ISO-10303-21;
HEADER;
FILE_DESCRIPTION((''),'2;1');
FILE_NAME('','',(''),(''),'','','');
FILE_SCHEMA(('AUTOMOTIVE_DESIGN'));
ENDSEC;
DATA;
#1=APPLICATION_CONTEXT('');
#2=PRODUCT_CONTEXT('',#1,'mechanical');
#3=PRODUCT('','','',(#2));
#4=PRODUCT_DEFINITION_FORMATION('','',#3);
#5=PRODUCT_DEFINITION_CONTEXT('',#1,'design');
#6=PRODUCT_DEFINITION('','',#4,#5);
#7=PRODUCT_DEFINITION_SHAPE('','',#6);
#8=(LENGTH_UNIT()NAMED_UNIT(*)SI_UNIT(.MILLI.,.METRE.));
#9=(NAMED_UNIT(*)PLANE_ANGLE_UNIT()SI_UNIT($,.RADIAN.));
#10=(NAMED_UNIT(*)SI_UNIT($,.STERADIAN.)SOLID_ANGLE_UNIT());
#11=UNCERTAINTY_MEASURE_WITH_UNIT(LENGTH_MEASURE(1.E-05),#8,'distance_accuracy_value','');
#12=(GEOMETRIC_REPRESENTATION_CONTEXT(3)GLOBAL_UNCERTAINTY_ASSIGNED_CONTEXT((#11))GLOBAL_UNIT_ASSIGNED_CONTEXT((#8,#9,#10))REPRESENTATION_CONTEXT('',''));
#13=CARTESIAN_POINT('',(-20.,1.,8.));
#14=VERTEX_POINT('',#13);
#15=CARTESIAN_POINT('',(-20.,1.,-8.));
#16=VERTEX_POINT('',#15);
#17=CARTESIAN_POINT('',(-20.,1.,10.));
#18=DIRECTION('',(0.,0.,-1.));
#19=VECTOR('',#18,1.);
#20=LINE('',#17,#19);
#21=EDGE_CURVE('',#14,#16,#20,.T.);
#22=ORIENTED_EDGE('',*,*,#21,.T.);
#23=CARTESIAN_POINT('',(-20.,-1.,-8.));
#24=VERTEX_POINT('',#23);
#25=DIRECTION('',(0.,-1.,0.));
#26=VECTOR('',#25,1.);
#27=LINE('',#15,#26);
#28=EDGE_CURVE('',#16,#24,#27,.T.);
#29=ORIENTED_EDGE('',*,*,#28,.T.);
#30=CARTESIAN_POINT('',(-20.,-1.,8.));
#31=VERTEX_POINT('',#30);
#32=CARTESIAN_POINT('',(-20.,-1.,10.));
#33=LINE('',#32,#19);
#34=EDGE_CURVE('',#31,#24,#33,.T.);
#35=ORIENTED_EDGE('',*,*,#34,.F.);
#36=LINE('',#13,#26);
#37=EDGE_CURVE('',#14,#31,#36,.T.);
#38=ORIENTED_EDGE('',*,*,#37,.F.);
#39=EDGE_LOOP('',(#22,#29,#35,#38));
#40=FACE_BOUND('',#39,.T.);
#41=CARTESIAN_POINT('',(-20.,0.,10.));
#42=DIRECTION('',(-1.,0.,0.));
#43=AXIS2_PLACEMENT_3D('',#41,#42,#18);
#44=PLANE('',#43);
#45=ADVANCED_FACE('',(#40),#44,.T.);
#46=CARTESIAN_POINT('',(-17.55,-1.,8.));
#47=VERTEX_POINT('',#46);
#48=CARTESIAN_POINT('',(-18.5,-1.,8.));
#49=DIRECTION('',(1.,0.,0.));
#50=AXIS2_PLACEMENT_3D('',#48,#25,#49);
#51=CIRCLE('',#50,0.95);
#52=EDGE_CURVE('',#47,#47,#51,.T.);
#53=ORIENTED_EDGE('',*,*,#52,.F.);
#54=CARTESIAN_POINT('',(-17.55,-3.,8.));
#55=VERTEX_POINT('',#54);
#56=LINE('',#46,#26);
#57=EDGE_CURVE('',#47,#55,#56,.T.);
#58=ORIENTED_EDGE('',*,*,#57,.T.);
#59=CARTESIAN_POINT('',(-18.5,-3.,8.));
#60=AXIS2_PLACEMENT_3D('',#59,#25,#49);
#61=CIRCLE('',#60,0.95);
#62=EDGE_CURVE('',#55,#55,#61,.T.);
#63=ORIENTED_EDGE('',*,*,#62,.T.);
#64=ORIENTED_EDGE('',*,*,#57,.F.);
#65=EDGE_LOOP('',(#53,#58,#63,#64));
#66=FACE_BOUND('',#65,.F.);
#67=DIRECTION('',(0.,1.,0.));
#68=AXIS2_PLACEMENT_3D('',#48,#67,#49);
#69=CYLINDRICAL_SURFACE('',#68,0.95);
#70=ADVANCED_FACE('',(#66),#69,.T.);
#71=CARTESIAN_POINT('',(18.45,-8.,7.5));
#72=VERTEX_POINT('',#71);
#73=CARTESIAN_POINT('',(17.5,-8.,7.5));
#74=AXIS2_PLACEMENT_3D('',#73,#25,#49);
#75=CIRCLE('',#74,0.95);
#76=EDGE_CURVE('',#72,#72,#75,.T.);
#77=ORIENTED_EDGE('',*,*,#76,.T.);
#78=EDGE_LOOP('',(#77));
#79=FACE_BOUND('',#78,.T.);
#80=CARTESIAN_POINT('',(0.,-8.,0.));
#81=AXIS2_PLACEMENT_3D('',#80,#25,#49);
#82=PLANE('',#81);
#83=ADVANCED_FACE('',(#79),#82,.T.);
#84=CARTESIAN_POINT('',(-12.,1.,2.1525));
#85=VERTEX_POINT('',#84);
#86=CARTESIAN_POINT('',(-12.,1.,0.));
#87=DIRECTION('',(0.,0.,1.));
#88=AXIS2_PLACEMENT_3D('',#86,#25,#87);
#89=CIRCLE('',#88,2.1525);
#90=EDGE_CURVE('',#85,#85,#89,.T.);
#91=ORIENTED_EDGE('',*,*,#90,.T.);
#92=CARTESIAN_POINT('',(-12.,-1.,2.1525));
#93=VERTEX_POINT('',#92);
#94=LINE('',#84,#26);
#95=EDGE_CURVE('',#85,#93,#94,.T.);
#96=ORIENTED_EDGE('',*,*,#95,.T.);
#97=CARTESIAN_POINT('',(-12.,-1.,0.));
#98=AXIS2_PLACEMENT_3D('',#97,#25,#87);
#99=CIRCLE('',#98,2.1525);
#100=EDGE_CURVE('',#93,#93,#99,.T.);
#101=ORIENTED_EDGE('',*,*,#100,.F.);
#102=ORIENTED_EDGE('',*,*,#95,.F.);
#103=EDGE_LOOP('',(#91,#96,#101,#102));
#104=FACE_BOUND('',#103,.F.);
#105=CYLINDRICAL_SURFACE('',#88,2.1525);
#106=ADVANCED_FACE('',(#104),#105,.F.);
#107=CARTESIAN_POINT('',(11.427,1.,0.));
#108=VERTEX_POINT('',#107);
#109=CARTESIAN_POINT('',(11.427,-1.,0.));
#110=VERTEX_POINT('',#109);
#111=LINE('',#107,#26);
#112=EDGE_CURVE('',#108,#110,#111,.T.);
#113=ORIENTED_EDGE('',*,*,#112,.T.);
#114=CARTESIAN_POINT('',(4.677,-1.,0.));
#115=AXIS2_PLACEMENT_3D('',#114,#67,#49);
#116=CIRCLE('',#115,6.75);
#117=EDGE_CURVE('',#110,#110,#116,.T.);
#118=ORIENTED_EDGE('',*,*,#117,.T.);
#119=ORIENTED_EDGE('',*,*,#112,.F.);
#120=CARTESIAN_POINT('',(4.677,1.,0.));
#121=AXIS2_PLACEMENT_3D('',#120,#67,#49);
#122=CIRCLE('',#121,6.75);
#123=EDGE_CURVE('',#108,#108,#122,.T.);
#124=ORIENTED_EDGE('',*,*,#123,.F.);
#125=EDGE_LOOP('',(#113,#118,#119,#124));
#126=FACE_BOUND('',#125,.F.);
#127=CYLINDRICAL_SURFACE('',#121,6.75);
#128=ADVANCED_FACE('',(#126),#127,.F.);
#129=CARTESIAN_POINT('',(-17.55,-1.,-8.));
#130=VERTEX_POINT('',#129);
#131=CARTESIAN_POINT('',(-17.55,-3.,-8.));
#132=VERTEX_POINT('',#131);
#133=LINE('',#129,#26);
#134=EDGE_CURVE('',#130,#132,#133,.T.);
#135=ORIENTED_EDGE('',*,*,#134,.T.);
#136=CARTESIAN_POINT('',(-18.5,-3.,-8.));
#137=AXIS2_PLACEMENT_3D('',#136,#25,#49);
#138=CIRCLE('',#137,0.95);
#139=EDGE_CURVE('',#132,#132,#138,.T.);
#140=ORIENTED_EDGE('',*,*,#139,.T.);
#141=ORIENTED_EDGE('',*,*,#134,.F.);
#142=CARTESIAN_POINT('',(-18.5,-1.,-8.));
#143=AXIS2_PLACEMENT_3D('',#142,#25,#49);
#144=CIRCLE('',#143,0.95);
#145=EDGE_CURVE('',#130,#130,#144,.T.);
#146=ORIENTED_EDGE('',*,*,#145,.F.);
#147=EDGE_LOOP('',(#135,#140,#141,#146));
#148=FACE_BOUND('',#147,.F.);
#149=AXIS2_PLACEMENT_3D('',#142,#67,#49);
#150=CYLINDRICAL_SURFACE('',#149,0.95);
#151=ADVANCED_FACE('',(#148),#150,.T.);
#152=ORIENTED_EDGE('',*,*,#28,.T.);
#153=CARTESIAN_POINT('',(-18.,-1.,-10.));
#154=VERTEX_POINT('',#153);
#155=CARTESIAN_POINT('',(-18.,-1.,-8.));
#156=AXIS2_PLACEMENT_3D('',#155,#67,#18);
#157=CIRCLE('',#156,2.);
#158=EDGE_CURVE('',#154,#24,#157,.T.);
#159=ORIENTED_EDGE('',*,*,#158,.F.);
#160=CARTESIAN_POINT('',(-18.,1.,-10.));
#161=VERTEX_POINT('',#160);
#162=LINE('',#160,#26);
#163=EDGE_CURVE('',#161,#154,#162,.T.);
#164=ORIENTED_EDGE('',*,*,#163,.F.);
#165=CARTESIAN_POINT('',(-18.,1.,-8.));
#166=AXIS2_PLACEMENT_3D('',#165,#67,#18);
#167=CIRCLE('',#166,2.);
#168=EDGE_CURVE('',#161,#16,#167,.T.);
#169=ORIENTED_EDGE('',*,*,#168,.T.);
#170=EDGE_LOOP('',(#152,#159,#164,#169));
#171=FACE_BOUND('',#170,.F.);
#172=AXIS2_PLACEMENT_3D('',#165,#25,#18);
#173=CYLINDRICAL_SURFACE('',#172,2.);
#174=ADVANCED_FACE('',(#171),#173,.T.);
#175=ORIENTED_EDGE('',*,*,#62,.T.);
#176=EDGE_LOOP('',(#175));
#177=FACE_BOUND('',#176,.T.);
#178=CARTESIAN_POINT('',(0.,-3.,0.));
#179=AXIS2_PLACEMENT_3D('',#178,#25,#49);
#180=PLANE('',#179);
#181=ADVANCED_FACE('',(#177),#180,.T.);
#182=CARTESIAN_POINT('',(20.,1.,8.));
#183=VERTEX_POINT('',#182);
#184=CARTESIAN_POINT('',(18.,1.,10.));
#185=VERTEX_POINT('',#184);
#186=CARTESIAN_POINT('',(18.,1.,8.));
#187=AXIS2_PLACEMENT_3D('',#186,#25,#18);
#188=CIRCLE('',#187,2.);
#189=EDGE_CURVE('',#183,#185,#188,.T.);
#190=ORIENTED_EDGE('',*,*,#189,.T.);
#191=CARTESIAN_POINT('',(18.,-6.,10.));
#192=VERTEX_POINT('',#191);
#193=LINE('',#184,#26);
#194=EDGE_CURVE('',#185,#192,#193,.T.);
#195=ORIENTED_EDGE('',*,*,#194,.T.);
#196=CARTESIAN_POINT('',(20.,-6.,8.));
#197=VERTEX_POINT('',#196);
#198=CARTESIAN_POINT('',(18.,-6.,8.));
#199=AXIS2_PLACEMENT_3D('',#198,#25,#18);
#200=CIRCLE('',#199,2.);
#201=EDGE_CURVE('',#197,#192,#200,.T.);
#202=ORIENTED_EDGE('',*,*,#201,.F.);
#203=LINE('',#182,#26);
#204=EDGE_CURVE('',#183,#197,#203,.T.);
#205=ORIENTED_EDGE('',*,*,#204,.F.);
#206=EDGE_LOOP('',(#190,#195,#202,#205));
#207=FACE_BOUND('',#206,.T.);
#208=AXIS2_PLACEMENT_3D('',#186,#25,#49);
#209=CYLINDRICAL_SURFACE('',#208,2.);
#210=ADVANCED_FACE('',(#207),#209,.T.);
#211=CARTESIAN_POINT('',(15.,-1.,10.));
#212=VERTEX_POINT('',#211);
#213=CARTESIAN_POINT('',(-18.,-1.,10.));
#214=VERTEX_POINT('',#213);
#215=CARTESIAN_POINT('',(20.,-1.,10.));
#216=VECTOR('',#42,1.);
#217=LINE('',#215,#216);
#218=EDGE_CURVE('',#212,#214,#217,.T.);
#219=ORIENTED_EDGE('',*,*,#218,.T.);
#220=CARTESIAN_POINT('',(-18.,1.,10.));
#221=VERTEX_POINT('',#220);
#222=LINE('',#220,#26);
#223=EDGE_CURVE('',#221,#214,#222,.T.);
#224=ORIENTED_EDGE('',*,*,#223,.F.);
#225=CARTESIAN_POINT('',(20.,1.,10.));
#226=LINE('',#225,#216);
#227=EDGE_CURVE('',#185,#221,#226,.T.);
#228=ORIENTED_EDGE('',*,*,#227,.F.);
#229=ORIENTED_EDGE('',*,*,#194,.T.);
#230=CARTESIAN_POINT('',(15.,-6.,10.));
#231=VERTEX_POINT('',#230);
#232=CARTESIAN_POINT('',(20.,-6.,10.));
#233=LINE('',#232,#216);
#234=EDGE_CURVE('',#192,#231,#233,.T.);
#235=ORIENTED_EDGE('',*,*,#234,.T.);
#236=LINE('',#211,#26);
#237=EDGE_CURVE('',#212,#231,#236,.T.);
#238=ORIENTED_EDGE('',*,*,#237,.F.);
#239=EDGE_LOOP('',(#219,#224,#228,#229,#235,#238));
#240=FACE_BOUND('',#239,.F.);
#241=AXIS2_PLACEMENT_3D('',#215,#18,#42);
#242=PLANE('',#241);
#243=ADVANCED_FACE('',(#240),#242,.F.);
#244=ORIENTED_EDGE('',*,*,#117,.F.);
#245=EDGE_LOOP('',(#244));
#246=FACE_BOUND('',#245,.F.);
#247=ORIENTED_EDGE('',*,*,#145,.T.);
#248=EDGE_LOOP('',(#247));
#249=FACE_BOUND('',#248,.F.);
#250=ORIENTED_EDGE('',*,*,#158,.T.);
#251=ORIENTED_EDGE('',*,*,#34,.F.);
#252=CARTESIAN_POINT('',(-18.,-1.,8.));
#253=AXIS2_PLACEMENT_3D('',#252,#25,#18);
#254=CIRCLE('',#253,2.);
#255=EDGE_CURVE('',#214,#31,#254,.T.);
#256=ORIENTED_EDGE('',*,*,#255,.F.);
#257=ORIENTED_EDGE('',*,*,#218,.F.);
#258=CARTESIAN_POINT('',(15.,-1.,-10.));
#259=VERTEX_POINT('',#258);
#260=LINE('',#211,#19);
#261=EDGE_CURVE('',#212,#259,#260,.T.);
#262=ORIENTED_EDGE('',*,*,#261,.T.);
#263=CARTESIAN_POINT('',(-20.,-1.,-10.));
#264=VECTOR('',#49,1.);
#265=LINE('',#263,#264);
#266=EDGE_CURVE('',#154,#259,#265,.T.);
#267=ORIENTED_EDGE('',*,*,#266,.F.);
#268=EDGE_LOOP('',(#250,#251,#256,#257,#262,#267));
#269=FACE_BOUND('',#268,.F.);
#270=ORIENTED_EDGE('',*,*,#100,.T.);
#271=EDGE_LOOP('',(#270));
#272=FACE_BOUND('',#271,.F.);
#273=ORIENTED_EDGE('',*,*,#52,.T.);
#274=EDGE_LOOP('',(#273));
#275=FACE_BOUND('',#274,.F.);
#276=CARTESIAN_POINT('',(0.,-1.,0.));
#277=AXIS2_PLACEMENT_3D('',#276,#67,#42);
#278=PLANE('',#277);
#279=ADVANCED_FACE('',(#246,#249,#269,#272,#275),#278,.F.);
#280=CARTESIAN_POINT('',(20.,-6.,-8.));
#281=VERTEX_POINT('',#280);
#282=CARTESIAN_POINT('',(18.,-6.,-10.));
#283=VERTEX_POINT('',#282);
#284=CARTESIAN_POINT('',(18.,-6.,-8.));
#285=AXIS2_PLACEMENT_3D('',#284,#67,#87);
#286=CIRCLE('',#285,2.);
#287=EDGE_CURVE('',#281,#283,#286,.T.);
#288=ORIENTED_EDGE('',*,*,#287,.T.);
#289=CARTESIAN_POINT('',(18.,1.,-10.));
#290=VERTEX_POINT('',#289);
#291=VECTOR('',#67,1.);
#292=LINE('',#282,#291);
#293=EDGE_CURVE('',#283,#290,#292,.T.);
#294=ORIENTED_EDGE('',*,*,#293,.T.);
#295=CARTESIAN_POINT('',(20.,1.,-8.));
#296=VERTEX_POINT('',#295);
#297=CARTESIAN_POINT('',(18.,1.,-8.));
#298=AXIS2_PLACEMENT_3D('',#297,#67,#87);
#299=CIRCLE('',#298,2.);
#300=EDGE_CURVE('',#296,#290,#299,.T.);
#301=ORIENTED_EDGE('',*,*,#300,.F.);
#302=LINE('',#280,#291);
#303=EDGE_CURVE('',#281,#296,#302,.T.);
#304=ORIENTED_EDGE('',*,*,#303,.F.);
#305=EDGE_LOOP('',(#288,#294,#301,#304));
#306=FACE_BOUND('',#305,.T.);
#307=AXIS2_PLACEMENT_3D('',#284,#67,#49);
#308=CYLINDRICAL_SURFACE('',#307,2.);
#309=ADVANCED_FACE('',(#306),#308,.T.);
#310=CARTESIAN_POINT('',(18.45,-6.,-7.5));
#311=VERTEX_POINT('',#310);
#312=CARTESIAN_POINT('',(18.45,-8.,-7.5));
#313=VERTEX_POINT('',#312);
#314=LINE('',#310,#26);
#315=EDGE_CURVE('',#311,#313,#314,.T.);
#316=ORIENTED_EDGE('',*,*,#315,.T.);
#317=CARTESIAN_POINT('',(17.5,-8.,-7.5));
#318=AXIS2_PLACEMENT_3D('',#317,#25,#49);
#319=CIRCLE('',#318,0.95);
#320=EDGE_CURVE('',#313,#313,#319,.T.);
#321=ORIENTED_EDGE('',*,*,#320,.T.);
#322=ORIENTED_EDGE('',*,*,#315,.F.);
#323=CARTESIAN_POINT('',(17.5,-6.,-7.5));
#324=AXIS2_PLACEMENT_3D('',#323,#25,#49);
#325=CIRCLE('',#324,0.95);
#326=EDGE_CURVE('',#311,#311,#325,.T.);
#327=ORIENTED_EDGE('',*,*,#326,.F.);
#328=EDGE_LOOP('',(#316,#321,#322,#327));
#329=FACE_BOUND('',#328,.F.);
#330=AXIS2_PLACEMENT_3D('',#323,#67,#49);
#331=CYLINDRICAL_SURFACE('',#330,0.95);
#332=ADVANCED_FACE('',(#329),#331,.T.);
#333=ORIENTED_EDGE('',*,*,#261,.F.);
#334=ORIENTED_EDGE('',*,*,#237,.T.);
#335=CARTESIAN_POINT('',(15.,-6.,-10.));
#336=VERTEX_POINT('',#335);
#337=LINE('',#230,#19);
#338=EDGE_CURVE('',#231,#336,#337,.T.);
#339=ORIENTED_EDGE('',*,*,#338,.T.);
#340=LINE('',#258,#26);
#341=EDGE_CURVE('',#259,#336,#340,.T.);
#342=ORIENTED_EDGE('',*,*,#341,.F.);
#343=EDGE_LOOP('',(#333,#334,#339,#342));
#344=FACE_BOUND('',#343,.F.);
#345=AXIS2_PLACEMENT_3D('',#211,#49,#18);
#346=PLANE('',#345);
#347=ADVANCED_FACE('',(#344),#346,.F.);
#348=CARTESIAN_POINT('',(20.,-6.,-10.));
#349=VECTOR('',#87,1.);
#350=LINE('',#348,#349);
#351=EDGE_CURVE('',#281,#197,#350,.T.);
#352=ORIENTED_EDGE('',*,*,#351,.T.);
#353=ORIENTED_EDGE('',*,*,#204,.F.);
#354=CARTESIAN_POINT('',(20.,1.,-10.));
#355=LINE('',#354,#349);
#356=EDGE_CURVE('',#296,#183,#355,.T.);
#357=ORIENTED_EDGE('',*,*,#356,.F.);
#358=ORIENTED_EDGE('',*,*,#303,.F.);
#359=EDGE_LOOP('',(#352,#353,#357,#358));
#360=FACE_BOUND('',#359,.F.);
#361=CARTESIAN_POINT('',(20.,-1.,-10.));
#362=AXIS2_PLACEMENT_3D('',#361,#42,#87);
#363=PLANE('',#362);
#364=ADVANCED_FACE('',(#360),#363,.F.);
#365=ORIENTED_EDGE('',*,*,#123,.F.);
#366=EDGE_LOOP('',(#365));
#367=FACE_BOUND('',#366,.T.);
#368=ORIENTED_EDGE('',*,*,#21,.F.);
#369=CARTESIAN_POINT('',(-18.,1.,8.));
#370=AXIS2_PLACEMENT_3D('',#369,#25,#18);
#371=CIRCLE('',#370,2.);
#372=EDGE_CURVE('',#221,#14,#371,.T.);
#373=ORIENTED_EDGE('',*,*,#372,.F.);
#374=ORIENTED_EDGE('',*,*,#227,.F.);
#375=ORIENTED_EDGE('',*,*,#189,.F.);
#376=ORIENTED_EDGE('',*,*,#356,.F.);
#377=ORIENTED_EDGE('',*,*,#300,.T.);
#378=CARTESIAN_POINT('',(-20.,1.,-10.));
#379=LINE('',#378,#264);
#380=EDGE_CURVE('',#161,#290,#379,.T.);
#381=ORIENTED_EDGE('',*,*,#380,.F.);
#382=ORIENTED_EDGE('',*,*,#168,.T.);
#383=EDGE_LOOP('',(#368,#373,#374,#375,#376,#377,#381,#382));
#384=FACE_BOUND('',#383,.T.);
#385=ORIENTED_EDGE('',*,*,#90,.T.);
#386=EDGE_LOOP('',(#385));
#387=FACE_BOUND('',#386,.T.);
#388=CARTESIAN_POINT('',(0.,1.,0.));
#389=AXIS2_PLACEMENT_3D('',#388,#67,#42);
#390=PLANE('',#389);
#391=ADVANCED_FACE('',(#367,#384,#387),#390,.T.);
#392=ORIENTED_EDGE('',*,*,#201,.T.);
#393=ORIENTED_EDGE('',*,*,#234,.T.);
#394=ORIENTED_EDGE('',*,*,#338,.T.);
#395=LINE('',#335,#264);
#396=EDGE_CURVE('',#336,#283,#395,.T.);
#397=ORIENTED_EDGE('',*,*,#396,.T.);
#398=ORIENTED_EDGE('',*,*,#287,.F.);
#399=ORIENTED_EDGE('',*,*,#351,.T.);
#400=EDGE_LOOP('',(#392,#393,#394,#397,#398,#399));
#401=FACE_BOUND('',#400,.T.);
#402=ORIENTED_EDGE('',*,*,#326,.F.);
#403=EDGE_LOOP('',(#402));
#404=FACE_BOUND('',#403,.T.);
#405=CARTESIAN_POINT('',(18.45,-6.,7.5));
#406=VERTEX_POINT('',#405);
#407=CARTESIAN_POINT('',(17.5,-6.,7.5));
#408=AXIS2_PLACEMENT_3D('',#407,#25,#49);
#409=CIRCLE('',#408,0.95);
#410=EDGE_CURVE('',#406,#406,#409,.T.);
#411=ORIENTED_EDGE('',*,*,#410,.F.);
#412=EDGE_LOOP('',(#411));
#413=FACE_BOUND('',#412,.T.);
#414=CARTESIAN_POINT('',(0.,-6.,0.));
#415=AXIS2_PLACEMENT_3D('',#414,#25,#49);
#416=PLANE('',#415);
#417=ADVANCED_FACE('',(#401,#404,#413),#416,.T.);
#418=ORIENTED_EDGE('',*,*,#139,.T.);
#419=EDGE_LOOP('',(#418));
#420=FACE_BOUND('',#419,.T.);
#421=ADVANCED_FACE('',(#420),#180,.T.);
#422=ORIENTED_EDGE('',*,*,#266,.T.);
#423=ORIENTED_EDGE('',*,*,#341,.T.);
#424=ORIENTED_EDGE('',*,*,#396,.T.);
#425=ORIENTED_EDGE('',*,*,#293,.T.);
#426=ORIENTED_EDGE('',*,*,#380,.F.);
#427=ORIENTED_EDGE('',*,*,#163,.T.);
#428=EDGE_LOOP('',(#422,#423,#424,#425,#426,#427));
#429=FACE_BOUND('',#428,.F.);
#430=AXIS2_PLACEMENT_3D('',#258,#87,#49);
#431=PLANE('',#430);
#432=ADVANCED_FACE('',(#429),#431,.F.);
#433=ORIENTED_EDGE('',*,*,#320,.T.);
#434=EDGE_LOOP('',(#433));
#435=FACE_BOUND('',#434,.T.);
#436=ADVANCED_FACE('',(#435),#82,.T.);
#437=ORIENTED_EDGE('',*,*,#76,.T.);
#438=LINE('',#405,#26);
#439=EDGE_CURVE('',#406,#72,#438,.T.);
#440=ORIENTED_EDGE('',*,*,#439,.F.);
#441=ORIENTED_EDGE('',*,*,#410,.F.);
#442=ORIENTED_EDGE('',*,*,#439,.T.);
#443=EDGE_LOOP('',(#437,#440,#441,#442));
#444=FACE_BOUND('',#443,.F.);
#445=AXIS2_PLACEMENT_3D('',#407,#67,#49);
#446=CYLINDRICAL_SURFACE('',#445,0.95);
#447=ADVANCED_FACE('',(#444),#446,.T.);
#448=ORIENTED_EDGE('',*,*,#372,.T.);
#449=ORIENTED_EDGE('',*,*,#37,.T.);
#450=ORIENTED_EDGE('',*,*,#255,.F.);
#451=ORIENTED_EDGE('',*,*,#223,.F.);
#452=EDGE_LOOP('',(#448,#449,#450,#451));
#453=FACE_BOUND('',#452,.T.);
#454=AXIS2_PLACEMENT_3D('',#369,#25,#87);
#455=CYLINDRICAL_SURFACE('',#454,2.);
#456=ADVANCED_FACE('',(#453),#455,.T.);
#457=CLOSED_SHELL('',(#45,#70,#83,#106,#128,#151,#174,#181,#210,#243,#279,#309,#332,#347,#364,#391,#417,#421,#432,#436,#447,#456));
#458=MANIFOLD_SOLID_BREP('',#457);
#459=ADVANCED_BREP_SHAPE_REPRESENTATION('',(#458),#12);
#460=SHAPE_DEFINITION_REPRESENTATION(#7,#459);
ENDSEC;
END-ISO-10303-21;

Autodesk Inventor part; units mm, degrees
ref_plane "YZ Plane" through (0, 0, 0) normal (1, 0, 0) x (0, 1, 0)
ref_plane "XZ Plane" through (0, 0, 0) normal (0, 1, 0) x (-1, 0, 0)
ref_plane "XY Plane" through (0, 0, 0) normal (0, 0, 1) x (1, 0, 0)
sketch "Sketch1" plane through (0, 0, 0) normal (0, 1, 0) x (-1, 0, 0)
  line L0 (-20, 10) -> (20, 10)
  line L1 (20, 10) -> (20, -10)
  line L2 (20, -10) -> (-20, -10)
  line L3 (-20, -10) -> (-20, 10)
  line L4 (-20, 10) -> (20, -10) construction
  line L5 (20, 10) -> (-20, -10) construction
  point P0 (0, 0)
  dimension "d2" = 40
  dimension "d3" = 20
extrude "Extrusion1" add sketch "Sketch1" along normal mid plane 2
sketch "Sketch5" plane through (0, -1, 0) normal (0, -1, 0) x (1, 0, 0)
  line L0 (20, 10) -> (15, 10)
  line L1 (15, 10) -> (15, -10)
  line L2 (15, -10) -> (20, -10)
  line L3 (20, -10) -> (20, 10)
  line L4 (20, 10) -> (-20, 10) projected
  line L5 (20, -10) -> (20, 10) projected
  line L6 (-20, -10) -> (20, -10) projected
  dimension "d25" = 5
extrude "Extrusion4" add sketch "Sketch5" along normal blind 5
sketch "Sketch4" plane through (0, -6, 0) normal (0, -1, 0) x (1, 0, 0)
  circle A0 centre (17.5, 7.5) radius 0.95
  circle A1 centre (17.5, -7.5) radius 0.95
  line L0 (20, -10) -> (20, 10) projected
  line L1 (20, 10) -> (15, 10) projected
  line L2 (15, -10) -> (20, -10) projected
  dimension "d26" = 1.9
  dimension "d27" = 1.9
  dimension "d28" = 2.5
  dimension "d29" = 2.5
  dimension "d30" = 2.5
extrude "Extrusion3" add sketch "Sketch4" along normal blind 2
sketch "Sketch6" plane through (0, -1, 0) normal (0, -1, 0) x (1, 0, 0)
  circle A0 centre (-18.5, 8) radius 0.95
  circle A1 centre (-18.5, -8) radius 0.95
  line L0 (-20, 10) -> (-20, -10) projected
  line L1 (15, 10) -> (-20, 10) projected
  line L2 (-20, -10) -> (15, -10) projected
  point P0 (0, 0)
  dimension "d31" = 1.9
  dimension "d32" = 1.9
  dimension "d33" = 1.5
  dimension "d34" = 2
  dimension "d35" = 2
extrude "Extrusion5" add sketch "Sketch6" along normal blind 2
fillet "Fillet1" radius 2 4 edges at (20, -2.5, 10) (20, -2.5, -10) (-20, 0, 10) (-20, 0, -10)
sketch "Sketch7" plane through (0, 1, 0) normal (0, 1, 0) x (1, 0, 0)
  circle A0 centre (4.677, 0) radius 3.9688 projected
  circle A1 centre (4.677, 0) radius 6.75
  point P0 (0, 0)
  dimension "d38" = 13.5
extrude "Extrusion6" cut sketch "Sketch7" against normal through all contours A0 | A1
sketch "Sketch8" plane through (0, 1, 0) normal (0, 1, 0) x (1, 0, 0)
  circle A0 centre (-12, 0) radius 2.1525 projected
  point P0 (0, 0)
hole "Hole1" at (-12, 1, 0) direction (0, -1, 0) diameter 4.305 end through all clearance for "Flat Head Machine Screw (82)" size "#6" standard "Ansi Unified Screw Threads"
equation "\"d27\" = d26"
equation "\"d29\" = d28"
equation "\"d30\" = d29"
equation "\"d32\" = d31"
equation "\"d35\" = d34"
properties part number "GearCover"
